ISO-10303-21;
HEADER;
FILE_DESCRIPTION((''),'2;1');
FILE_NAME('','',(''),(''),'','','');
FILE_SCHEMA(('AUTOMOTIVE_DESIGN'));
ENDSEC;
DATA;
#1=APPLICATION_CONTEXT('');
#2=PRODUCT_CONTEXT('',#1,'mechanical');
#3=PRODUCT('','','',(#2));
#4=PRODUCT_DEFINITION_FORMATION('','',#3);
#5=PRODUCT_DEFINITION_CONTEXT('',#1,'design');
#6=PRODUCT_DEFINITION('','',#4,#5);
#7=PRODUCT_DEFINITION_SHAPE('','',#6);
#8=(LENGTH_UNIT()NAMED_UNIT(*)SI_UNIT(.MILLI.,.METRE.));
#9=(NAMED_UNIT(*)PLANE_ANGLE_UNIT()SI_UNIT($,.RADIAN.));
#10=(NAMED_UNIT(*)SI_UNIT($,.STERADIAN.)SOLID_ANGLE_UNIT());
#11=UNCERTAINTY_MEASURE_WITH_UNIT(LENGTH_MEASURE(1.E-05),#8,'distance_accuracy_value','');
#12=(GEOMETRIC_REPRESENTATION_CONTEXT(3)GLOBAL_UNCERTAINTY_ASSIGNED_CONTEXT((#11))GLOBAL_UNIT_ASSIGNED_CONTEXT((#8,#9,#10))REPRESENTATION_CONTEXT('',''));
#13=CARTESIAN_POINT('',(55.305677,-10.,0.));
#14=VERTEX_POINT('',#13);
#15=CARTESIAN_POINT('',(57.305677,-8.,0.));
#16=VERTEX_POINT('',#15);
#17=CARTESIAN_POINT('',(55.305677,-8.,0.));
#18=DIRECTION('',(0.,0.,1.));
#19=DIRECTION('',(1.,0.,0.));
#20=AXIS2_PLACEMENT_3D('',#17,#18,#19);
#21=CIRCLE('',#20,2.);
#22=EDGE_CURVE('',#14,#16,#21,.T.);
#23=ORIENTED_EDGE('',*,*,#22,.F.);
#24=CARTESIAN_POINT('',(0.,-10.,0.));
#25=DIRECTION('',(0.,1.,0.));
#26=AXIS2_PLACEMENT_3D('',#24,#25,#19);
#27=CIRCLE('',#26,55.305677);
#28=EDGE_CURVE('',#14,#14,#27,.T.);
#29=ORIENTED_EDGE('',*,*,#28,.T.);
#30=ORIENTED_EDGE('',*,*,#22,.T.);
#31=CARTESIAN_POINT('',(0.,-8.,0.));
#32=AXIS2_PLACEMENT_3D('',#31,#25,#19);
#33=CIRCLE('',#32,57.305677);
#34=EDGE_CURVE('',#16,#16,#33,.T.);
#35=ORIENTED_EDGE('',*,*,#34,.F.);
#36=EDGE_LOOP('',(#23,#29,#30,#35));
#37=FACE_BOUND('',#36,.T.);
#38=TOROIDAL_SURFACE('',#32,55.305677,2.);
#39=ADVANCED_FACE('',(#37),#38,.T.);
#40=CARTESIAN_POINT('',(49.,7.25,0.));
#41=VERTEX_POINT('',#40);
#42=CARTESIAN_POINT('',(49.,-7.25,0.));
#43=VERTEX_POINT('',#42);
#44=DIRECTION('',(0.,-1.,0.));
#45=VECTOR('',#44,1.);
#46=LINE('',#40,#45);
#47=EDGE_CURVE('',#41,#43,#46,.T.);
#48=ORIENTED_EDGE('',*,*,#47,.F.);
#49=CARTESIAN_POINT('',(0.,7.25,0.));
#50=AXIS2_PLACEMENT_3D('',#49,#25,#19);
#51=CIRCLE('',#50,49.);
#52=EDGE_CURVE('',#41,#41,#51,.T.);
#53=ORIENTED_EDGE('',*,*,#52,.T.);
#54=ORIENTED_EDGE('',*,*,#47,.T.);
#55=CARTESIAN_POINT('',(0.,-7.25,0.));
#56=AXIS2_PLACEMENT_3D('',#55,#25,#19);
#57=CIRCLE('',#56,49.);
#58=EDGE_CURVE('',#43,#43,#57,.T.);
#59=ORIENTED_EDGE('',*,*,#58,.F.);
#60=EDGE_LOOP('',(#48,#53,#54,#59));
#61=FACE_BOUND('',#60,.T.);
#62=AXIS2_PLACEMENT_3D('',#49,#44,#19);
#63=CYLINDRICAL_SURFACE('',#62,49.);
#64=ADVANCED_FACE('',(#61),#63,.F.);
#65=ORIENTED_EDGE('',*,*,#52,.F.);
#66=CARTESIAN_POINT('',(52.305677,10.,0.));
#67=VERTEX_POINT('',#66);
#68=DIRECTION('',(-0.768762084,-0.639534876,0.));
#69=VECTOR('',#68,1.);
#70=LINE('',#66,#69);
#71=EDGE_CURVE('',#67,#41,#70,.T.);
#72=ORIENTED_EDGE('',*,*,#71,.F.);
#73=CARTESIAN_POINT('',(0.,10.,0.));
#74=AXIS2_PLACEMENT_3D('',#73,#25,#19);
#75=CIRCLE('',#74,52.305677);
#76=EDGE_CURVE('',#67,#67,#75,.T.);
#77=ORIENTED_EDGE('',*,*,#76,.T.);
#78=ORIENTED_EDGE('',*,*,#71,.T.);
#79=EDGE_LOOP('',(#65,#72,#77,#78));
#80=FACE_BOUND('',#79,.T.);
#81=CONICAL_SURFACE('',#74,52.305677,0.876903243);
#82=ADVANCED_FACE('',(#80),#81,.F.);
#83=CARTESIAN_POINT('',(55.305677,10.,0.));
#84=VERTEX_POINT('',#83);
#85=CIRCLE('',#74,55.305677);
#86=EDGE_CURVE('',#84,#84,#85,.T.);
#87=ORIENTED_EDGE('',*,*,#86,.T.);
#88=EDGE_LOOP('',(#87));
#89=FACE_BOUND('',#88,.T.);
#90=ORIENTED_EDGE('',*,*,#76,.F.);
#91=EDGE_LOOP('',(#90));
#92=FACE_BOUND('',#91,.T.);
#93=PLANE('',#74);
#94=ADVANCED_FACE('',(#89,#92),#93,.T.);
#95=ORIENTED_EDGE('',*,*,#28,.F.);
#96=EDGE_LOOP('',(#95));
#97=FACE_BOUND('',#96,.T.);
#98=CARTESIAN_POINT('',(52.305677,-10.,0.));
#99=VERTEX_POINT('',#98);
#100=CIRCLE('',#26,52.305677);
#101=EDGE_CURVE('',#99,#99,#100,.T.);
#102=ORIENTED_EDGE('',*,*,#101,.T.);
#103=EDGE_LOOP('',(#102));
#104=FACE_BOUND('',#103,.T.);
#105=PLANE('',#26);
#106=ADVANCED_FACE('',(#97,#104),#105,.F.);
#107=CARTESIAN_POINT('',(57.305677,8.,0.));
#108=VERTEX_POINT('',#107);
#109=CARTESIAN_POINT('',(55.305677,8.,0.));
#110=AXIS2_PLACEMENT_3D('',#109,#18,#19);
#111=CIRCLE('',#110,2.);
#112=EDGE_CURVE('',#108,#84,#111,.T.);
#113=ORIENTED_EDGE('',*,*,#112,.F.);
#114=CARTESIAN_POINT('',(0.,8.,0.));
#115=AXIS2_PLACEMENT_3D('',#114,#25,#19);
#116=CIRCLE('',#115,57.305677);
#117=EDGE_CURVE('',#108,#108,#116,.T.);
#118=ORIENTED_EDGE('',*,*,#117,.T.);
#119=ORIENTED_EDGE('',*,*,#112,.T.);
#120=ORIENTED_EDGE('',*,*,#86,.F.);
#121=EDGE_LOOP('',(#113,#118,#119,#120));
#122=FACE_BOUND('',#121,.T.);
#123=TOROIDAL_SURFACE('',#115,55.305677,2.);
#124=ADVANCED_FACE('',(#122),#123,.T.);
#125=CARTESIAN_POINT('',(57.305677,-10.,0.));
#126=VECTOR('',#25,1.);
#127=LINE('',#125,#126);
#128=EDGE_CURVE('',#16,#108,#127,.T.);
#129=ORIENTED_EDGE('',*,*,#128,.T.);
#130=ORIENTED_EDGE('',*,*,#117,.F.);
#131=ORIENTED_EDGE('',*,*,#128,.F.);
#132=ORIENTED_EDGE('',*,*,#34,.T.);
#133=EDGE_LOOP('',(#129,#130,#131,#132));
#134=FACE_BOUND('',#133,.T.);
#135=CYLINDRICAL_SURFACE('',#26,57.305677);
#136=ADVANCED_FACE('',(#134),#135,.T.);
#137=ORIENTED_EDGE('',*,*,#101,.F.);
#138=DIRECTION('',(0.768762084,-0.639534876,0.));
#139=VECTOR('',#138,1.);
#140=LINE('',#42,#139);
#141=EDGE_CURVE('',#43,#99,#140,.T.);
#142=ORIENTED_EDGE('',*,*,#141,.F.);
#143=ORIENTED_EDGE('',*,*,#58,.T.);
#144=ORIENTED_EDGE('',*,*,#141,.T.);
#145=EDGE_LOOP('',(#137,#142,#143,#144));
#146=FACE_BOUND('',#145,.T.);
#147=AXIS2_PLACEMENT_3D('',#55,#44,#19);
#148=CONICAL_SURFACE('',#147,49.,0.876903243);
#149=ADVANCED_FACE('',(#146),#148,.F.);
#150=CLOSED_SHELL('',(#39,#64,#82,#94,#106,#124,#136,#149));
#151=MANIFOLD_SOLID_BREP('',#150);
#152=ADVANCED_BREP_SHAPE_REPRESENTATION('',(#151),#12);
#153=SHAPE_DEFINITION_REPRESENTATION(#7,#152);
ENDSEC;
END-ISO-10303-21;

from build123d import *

# Parameters (mm, degrees)
F3_R = 2
F4_R = 2


with BuildPart() as f2:
    # F0 (on Top) → F2 (revolve)
    with BuildSketch(Plane.XY):
        Polygon((52.305677, 10), (49, 7.25), (49, -7.25), (52.305677, -10), (57.305677, -10), (57.305677, 10), align=None)
    revolve(axis=Axis((0, -6.822679, 0), (0, 1, 0)))

    # F3
    f3_edges = [f2.edges().sort_by_distance(p)[0] for p in [
        (-57.305677, -10, 0),
    ]]
    fillet(f3_edges, radius=F3_R)

    # F4
    f4_edges = [f2.edges().sort_by_distance(p)[0] for p in [
        (-57.305677, 10, 0),
    ]]
    fillet(f4_edges, radius=F4_R)


solid = f2.part
